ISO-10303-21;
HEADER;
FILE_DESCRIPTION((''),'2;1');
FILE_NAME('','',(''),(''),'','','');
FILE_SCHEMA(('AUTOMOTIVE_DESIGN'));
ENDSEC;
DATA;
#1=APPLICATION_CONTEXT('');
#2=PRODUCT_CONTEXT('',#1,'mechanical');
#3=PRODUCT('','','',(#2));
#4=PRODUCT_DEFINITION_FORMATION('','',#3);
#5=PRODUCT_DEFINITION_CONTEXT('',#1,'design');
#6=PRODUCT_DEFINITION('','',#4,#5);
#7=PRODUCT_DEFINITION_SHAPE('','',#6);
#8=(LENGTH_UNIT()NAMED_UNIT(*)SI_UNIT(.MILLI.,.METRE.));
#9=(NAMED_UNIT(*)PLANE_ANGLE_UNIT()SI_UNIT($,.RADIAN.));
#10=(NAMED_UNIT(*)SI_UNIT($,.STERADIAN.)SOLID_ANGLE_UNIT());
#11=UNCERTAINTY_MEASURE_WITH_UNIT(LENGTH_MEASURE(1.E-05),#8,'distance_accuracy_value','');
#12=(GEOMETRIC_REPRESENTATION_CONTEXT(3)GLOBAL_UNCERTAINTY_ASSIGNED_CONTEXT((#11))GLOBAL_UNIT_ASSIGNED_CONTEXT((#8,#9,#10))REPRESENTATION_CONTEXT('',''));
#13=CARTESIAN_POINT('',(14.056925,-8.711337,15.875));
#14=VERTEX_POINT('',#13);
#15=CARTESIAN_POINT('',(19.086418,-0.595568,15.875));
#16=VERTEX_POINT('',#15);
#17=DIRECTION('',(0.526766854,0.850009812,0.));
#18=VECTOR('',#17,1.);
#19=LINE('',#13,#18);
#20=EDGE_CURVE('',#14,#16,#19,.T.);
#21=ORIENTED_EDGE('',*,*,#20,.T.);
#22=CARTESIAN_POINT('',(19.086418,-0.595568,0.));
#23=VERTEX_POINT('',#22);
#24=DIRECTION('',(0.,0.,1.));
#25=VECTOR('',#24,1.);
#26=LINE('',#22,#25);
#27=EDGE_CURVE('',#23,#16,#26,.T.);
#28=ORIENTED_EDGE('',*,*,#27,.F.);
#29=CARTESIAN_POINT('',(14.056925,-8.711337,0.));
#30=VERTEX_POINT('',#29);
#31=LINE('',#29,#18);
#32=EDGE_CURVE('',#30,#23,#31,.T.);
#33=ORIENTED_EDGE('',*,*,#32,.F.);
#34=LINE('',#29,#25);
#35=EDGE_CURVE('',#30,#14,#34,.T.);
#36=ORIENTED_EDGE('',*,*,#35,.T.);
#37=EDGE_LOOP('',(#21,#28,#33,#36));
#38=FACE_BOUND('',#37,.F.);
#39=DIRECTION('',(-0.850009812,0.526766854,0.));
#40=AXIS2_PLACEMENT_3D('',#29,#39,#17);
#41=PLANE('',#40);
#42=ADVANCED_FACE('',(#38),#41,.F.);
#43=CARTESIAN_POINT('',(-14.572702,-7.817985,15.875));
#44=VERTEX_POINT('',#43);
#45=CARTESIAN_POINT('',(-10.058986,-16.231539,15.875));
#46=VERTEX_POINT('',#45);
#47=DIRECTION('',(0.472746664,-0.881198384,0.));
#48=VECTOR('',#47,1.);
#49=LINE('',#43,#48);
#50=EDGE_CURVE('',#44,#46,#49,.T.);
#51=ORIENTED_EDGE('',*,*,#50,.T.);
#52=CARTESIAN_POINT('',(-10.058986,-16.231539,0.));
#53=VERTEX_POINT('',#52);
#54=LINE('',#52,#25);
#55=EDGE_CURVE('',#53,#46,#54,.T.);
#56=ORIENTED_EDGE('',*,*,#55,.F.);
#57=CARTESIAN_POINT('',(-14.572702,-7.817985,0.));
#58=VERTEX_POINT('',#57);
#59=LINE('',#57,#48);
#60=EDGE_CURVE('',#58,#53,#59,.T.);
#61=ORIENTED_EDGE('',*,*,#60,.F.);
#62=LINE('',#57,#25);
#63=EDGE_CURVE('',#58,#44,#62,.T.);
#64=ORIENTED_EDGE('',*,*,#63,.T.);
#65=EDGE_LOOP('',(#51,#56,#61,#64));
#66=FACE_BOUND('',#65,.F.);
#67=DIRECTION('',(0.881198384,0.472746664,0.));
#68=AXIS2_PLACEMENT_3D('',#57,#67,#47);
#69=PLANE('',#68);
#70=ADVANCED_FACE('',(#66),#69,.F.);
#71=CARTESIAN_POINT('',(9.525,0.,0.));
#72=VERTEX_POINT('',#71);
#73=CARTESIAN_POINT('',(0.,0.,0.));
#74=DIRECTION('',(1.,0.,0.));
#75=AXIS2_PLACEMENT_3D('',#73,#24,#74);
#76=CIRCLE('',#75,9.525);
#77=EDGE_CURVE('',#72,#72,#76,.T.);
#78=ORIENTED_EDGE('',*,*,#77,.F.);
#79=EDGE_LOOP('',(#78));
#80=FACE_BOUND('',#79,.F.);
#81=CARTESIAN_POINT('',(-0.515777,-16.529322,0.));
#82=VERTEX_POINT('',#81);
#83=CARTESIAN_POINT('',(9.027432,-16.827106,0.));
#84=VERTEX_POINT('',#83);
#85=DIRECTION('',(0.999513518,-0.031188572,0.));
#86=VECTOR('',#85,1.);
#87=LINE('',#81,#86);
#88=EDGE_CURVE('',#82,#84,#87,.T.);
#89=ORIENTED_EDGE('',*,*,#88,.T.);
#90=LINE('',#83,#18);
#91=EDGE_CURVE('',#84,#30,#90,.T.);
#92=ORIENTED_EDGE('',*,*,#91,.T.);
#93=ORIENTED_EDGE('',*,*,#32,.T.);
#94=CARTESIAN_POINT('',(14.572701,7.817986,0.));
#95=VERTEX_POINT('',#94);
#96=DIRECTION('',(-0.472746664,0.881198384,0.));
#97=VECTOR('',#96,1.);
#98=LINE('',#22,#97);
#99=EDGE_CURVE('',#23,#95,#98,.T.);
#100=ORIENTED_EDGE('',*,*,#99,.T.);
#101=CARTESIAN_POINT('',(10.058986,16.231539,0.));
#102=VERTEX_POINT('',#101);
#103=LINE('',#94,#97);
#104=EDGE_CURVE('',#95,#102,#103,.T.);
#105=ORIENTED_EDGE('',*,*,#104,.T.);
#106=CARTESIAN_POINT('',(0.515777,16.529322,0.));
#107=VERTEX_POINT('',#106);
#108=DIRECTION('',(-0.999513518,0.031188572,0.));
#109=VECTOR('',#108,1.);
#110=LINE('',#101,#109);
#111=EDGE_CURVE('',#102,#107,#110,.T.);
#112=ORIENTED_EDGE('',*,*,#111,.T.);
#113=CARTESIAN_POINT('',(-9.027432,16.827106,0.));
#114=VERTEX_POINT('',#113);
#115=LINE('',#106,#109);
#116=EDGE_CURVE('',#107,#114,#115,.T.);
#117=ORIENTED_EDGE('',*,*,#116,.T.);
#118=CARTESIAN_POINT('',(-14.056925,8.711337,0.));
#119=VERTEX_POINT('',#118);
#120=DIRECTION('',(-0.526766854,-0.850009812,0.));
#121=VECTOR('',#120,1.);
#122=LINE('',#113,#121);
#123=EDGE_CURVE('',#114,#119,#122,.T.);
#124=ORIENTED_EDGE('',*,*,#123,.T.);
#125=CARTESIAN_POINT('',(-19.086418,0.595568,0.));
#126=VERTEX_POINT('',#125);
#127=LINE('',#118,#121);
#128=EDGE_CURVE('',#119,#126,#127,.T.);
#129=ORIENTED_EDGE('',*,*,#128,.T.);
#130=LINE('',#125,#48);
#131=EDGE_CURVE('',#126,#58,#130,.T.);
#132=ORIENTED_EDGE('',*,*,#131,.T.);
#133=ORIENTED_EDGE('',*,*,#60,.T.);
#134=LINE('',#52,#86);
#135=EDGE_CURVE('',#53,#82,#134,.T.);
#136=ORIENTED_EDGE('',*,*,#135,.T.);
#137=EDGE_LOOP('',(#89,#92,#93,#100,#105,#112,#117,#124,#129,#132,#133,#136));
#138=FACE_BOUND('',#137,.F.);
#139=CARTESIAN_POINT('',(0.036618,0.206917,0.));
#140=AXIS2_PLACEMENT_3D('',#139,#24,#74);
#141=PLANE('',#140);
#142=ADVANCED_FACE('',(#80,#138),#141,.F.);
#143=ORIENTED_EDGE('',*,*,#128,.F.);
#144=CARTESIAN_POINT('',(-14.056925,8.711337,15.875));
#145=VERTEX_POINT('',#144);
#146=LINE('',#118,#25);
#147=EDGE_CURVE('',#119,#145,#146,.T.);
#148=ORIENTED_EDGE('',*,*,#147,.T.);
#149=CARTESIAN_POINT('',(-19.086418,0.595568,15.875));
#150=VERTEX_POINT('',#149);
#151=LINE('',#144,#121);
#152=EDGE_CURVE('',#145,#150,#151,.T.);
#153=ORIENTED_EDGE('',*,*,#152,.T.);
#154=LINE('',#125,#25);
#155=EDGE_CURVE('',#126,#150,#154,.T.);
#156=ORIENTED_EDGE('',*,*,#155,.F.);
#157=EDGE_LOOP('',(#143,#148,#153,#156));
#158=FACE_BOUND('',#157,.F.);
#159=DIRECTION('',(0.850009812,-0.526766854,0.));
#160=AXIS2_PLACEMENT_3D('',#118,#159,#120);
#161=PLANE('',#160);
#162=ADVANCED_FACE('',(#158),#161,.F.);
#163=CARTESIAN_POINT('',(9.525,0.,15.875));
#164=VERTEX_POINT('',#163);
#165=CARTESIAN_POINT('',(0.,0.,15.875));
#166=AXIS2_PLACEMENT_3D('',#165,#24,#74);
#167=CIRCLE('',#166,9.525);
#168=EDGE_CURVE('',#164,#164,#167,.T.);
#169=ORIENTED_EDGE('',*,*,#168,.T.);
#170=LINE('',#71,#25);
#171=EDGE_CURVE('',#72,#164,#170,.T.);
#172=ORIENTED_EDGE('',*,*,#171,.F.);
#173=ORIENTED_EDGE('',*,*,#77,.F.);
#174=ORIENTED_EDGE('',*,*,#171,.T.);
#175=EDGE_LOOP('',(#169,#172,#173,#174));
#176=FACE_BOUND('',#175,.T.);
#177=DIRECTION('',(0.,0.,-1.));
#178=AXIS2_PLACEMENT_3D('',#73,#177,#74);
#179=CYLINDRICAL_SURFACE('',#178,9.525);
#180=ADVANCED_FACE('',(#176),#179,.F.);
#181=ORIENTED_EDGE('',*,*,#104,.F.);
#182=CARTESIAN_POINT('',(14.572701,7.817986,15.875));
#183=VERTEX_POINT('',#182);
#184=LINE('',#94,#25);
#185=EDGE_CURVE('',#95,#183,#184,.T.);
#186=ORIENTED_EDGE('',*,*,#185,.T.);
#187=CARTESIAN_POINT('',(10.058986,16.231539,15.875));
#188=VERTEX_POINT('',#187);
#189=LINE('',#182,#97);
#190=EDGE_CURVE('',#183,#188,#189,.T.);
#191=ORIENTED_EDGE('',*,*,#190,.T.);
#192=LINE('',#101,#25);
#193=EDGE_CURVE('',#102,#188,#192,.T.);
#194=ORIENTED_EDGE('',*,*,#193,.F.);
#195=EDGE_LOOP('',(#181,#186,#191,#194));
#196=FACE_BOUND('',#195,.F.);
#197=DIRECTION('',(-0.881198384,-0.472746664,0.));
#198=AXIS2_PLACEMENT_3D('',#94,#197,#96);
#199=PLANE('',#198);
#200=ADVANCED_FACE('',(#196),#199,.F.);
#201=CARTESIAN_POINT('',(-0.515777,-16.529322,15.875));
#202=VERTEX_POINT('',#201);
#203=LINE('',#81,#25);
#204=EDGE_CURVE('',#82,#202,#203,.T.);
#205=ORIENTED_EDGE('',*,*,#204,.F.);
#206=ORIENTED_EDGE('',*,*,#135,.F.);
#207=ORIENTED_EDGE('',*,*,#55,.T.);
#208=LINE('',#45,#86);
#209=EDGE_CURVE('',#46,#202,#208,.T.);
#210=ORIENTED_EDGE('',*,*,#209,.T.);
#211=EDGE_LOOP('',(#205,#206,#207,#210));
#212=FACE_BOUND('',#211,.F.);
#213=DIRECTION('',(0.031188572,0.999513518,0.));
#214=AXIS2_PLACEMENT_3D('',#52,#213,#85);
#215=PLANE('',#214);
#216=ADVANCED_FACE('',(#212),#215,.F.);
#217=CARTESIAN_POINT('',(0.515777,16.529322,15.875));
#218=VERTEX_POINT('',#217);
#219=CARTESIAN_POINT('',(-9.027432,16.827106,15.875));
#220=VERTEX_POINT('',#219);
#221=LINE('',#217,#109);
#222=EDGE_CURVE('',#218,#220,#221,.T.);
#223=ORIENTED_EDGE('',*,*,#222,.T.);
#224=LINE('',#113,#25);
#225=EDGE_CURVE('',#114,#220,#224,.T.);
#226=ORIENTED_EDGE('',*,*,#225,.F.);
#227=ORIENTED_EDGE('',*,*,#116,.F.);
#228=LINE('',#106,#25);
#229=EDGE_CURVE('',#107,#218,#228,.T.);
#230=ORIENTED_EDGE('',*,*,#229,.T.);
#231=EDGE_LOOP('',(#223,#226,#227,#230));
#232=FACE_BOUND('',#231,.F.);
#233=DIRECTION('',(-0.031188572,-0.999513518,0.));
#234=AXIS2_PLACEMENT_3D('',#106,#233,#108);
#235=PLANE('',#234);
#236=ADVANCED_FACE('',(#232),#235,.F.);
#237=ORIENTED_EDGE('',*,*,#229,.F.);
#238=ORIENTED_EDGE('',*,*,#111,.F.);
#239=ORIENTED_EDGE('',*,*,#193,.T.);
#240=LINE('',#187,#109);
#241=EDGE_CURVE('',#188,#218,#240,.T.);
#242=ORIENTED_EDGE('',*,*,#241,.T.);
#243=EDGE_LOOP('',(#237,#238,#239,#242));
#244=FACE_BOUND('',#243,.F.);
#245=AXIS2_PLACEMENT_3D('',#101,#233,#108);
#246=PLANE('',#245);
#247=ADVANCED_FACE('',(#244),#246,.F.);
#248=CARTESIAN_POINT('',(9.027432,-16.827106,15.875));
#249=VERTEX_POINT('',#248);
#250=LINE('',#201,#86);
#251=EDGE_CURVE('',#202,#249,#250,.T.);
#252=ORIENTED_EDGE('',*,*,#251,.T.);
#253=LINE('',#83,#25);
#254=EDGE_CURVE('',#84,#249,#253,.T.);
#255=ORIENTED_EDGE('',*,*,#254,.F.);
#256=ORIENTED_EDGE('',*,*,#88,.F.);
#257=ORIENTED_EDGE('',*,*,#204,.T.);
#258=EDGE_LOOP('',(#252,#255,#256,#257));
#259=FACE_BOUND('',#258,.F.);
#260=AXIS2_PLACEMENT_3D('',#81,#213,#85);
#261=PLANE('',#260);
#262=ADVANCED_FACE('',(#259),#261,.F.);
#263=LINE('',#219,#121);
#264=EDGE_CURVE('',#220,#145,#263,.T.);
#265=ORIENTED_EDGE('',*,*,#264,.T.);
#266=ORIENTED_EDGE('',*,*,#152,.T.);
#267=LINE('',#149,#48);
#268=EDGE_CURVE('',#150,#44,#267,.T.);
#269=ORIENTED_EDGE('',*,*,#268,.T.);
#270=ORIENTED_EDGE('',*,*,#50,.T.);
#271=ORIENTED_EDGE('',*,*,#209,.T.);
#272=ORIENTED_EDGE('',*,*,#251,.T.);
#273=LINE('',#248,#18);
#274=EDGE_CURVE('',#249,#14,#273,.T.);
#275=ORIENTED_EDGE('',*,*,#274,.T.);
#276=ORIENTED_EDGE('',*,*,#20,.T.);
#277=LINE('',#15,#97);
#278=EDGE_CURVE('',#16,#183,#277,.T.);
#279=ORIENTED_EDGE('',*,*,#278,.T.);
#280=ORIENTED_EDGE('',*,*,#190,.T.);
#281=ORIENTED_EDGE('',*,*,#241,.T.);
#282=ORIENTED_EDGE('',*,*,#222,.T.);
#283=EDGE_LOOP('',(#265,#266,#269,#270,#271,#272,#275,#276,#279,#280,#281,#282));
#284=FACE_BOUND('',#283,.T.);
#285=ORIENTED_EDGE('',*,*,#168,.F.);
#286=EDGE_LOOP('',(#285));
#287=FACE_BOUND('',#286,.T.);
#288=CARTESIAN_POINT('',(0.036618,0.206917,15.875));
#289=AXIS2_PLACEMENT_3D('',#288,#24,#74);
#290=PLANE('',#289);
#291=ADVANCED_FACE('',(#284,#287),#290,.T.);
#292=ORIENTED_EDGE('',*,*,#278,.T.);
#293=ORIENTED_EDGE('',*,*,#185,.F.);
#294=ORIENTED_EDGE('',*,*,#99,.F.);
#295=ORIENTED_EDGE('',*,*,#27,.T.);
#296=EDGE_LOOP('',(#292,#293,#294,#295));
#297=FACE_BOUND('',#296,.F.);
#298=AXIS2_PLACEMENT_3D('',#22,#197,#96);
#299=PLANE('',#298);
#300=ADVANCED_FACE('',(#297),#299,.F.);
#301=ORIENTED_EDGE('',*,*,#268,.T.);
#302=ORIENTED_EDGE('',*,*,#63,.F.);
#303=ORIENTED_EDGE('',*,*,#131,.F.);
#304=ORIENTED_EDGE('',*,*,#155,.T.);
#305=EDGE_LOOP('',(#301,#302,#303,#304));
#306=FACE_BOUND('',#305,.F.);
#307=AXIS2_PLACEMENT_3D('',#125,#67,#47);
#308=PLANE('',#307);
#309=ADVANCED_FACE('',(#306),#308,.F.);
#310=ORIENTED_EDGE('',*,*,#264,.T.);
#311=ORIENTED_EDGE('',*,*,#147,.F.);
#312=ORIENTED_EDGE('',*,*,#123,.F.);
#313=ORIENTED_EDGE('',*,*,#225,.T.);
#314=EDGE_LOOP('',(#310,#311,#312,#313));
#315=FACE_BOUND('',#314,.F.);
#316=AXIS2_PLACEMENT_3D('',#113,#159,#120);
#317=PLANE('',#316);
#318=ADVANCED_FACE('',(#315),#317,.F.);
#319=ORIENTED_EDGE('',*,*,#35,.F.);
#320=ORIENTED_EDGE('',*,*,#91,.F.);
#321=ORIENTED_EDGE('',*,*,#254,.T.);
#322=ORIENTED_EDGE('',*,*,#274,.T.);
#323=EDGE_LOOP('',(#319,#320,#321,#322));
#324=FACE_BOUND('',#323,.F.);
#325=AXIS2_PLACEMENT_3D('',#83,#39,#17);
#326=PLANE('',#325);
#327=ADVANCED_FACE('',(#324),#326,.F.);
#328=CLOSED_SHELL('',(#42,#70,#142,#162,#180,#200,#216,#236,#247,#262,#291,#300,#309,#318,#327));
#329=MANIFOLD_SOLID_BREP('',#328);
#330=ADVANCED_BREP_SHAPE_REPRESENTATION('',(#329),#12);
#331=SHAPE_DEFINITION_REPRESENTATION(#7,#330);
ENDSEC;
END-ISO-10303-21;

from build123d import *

# Parameters (mm, degrees)
F0_R     = 9.525
F1_DEPTH = 15.875


with BuildPart() as f1:
    # F0 (on Top) → F1 (new body)
    with BuildSketch(Plane.XY):
        with BuildLine():
            ThreePointArc((14.0569245039, -8.7113374776), (15.9051729794, -4.5287967112), (16.5373676006, 0))
            ThreePointArc((16.5373676006, 0), (16.0386820852, 4.0305339754), (14.5727013346, 7.8179858641))
            ThreePointArc((14.5727013346, 7.8179858641), (8.7113369684, 14.0569248195), (0.515777109, 16.5293224644))
            ThreePointArc((0.515777109, 16.5293224644), (-7.8179853534, 14.5727016085), (-14.0569248464, 8.7113369249))
            ThreePointArc((-14.0569248464, 8.7113369249), (-16.5293224721, 0.5157768615), (-14.5727016967, -7.817985189))
            ThreePointArc((-14.5727016967, -7.817985189), (-8.7113373682, -14.0569245717), (-0.5157772836, -16.5293224589))
            ThreePointArc((-0.5157772836, -16.5293224589), (7.8179849899, -14.5727018035), (14.0569245039, -8.7113374776))
        make_face()
        Circle(F0_R, mode=Mode.SUBTRACT)
        with BuildLine():
            ThreePointArc((14.5727013346, 7.8179858641), (16.0386820852, 4.0305339754), (16.5373676006, 0))
            ThreePointArc((16.5373676006, 0), (15.9051729794, -4.5287967112), (14.0569245039, -8.7113374776))
            Line((14.0569245039, -8.7113374776), (19.0864175571, -0.5955678347))
            Line((19.0864175571, -0.5955678347), (14.5727013346, 7.8179858641))
        make_face()
        with BuildLine():
            ThreePointArc((0.515777109, 16.5293224644), (8.7113369684, 14.0569248195), (14.5727013346, 7.8179858641))
            Line((14.5727013346, 7.8179858641), (10.0589856531, 16.2315385543))
            Line((10.0589856531, 16.2315385543), (0.515777109, 16.5293224644))
        make_face()
        with BuildLine():
            Line((9.027431904, -16.827106389), (14.0569245039, -8.7113374776))
            ThreePointArc((14.0569245039, -8.7113374776), (7.8179849899, -14.5727018035), (-0.5157772836, -16.5293224589))
            Line((-0.5157772836, -16.5293224589), (9.027431904, -16.827106389))
        make_face()
        with BuildLine():
            ThreePointArc((-14.0569248464, 8.7113369249), (-7.8179853534, 14.5727016085), (0.515777109, 16.5293224644))
            Line((0.515777109, 16.5293224644), (-9.027431904, 16.827106389))
            Line((-9.027431904, 16.827106389), (-14.0569248464, 8.7113369249))
        make_face()
        with BuildLine():
            Line((-10.0589856531, -16.2315385543), (-0.5157772836, -16.5293224589))
            ThreePointArc((-0.5157772836, -16.5293224589), (-8.7113373682, -14.0569245717), (-14.5727016967, -7.817985189))
            Line((-14.5727016967, -7.817985189), (-10.0589856531, -16.2315385543))
        make_face()
        with BuildLine():
            ThreePointArc((-14.5727016967, -7.817985189), (-16.5293224721, 0.5157768615), (-14.0569248464, 8.7113369249))
            Line((-14.0569248464, 8.7113369249), (-19.0864175571, 0.5955678347))
            Line((-19.0864175571, 0.5955678347), (-14.5727016967, -7.817985189))
        make_face()
    extrude(amount=F1_DEPTH)


solid = f1.part
